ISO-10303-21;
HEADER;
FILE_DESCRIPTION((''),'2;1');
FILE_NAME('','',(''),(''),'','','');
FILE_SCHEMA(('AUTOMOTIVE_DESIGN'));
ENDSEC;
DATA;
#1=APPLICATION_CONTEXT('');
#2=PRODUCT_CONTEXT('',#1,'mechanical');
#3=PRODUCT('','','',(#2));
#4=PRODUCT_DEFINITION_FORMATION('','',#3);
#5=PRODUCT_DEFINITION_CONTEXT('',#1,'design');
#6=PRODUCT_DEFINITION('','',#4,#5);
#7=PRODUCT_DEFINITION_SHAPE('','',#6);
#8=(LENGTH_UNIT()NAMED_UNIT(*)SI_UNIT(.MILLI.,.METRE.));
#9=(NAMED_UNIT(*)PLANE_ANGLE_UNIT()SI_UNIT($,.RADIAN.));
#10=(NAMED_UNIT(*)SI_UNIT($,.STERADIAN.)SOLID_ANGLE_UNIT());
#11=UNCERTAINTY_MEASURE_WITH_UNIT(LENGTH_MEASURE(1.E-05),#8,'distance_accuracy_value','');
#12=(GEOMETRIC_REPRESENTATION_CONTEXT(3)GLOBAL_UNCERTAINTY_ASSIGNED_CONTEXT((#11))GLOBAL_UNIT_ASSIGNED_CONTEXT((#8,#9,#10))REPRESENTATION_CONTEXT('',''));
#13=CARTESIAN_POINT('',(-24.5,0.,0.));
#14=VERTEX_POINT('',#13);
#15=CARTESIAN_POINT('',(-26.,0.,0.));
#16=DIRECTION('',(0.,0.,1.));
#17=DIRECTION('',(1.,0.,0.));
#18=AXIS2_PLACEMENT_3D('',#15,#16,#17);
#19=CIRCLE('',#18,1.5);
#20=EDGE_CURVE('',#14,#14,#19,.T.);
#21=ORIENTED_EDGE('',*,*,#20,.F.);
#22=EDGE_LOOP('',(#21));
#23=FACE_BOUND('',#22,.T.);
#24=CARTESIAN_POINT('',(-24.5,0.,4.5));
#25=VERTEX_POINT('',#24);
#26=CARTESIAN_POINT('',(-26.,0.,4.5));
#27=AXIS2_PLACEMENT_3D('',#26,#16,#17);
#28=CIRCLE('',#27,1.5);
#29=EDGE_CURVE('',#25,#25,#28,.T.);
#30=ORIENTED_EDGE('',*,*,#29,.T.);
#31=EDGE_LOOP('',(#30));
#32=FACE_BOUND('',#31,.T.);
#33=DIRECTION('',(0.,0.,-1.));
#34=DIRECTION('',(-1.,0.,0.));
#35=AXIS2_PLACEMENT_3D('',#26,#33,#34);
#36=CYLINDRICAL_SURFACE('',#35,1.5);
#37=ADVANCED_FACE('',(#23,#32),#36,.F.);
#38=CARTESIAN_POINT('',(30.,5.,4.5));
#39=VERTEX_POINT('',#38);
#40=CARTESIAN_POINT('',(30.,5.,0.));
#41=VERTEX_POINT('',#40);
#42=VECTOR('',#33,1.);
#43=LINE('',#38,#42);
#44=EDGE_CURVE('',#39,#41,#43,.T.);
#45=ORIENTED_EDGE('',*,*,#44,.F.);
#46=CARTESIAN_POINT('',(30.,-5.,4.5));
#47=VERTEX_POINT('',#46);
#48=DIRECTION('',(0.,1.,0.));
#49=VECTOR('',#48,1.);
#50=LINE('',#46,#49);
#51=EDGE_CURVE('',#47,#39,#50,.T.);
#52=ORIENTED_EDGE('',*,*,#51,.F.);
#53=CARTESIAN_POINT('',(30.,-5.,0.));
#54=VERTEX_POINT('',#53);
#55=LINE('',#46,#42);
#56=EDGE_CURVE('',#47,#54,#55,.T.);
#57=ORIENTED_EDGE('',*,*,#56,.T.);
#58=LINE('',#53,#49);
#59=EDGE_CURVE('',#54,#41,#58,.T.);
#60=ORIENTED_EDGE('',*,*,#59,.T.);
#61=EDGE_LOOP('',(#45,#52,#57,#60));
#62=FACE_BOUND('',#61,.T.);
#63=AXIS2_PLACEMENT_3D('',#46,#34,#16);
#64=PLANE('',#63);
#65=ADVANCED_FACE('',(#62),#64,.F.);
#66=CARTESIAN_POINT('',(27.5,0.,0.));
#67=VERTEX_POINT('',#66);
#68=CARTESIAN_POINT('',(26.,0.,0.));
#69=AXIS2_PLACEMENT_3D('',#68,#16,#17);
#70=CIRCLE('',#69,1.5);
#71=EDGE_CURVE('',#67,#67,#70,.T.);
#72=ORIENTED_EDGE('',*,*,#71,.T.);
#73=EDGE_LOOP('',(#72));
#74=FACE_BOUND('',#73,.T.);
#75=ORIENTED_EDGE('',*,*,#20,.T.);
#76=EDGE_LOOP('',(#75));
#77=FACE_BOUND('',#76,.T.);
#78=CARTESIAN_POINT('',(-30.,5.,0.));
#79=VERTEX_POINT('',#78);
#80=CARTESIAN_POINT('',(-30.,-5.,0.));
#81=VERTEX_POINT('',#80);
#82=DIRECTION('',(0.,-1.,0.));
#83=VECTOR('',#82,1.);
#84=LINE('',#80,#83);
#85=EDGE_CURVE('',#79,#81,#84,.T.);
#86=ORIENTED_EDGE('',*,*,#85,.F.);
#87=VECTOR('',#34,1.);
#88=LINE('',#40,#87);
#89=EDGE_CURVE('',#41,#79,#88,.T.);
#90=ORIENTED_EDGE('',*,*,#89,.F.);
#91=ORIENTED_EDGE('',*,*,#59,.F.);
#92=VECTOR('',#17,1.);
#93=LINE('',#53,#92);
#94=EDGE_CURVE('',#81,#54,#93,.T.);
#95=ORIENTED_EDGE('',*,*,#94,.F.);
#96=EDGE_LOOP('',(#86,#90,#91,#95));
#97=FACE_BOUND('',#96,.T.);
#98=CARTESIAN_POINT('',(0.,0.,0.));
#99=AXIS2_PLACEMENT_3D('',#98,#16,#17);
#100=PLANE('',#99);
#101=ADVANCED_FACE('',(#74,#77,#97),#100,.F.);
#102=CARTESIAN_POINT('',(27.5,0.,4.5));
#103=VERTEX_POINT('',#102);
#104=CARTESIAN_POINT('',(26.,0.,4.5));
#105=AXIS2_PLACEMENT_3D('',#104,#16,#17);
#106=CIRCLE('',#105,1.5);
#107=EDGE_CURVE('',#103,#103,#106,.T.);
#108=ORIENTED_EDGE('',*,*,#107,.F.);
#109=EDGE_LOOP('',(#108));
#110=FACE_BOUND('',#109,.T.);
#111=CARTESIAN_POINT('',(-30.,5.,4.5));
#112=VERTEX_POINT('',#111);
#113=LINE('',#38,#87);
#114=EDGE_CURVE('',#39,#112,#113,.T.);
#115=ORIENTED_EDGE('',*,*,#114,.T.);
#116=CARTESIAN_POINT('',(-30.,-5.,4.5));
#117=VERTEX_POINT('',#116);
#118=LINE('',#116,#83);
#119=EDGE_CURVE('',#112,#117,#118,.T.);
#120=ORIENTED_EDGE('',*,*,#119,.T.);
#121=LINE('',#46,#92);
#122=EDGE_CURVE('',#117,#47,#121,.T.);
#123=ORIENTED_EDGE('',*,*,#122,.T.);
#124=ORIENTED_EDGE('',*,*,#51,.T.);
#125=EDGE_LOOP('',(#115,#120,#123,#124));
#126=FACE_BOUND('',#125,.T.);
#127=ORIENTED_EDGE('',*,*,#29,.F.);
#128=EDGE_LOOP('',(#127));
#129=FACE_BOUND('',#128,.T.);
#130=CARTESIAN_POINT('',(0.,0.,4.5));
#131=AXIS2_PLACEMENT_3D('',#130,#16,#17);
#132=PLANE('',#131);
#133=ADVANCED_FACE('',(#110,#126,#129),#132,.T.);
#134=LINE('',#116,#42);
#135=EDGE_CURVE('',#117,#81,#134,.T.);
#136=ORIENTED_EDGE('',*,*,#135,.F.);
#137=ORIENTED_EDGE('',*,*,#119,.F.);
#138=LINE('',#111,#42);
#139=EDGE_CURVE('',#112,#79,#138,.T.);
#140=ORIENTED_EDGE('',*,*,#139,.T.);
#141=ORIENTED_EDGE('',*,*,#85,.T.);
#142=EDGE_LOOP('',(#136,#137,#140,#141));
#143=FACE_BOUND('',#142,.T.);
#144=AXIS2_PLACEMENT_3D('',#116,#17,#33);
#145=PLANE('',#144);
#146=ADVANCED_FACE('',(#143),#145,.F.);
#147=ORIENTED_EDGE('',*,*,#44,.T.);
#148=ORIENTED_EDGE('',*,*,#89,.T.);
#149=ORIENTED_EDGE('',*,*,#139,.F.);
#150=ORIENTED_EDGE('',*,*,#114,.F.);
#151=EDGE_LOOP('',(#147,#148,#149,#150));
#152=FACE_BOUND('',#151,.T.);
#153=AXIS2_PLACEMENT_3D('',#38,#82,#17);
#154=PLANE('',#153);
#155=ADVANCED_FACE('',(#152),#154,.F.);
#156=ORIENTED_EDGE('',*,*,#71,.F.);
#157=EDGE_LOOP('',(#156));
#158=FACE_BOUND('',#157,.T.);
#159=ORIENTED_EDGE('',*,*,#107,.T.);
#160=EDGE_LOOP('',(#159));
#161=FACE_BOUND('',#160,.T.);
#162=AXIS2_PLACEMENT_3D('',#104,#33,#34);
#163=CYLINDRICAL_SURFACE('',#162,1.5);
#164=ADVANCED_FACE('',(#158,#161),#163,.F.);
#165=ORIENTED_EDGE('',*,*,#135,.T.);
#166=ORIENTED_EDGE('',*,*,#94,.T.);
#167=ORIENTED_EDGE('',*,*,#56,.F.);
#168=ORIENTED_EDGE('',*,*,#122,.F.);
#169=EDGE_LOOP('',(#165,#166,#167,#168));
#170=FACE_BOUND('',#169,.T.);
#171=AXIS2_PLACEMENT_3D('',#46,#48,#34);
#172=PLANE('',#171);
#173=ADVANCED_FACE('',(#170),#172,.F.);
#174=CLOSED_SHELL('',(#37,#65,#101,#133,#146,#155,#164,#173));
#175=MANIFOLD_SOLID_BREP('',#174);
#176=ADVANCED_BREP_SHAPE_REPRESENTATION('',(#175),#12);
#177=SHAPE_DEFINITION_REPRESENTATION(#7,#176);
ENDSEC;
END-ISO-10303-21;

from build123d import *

# Parameters (mm, degrees)
SKETCH1_W           = 60
SKETCH1_H           = 10
SKETCH1_R           = 1.5
BOSS_EXTRUDE1_DEPTH = 4.5


with BuildPart() as part:
    # Sketch1 → Boss-Extrude1 (new body)
    with BuildSketch(Plane.XY):
        Rectangle(SKETCH1_W, SKETCH1_H)
        with Locations((-26, 0)):
            Circle(SKETCH1_R, mode=Mode.SUBTRACT)
        with Locations((26, 0)):
            Circle(SKETCH1_R, mode=Mode.SUBTRACT)
    extrude(amount=BOSS_EXTRUDE1_DEPTH)


solid = part.part
